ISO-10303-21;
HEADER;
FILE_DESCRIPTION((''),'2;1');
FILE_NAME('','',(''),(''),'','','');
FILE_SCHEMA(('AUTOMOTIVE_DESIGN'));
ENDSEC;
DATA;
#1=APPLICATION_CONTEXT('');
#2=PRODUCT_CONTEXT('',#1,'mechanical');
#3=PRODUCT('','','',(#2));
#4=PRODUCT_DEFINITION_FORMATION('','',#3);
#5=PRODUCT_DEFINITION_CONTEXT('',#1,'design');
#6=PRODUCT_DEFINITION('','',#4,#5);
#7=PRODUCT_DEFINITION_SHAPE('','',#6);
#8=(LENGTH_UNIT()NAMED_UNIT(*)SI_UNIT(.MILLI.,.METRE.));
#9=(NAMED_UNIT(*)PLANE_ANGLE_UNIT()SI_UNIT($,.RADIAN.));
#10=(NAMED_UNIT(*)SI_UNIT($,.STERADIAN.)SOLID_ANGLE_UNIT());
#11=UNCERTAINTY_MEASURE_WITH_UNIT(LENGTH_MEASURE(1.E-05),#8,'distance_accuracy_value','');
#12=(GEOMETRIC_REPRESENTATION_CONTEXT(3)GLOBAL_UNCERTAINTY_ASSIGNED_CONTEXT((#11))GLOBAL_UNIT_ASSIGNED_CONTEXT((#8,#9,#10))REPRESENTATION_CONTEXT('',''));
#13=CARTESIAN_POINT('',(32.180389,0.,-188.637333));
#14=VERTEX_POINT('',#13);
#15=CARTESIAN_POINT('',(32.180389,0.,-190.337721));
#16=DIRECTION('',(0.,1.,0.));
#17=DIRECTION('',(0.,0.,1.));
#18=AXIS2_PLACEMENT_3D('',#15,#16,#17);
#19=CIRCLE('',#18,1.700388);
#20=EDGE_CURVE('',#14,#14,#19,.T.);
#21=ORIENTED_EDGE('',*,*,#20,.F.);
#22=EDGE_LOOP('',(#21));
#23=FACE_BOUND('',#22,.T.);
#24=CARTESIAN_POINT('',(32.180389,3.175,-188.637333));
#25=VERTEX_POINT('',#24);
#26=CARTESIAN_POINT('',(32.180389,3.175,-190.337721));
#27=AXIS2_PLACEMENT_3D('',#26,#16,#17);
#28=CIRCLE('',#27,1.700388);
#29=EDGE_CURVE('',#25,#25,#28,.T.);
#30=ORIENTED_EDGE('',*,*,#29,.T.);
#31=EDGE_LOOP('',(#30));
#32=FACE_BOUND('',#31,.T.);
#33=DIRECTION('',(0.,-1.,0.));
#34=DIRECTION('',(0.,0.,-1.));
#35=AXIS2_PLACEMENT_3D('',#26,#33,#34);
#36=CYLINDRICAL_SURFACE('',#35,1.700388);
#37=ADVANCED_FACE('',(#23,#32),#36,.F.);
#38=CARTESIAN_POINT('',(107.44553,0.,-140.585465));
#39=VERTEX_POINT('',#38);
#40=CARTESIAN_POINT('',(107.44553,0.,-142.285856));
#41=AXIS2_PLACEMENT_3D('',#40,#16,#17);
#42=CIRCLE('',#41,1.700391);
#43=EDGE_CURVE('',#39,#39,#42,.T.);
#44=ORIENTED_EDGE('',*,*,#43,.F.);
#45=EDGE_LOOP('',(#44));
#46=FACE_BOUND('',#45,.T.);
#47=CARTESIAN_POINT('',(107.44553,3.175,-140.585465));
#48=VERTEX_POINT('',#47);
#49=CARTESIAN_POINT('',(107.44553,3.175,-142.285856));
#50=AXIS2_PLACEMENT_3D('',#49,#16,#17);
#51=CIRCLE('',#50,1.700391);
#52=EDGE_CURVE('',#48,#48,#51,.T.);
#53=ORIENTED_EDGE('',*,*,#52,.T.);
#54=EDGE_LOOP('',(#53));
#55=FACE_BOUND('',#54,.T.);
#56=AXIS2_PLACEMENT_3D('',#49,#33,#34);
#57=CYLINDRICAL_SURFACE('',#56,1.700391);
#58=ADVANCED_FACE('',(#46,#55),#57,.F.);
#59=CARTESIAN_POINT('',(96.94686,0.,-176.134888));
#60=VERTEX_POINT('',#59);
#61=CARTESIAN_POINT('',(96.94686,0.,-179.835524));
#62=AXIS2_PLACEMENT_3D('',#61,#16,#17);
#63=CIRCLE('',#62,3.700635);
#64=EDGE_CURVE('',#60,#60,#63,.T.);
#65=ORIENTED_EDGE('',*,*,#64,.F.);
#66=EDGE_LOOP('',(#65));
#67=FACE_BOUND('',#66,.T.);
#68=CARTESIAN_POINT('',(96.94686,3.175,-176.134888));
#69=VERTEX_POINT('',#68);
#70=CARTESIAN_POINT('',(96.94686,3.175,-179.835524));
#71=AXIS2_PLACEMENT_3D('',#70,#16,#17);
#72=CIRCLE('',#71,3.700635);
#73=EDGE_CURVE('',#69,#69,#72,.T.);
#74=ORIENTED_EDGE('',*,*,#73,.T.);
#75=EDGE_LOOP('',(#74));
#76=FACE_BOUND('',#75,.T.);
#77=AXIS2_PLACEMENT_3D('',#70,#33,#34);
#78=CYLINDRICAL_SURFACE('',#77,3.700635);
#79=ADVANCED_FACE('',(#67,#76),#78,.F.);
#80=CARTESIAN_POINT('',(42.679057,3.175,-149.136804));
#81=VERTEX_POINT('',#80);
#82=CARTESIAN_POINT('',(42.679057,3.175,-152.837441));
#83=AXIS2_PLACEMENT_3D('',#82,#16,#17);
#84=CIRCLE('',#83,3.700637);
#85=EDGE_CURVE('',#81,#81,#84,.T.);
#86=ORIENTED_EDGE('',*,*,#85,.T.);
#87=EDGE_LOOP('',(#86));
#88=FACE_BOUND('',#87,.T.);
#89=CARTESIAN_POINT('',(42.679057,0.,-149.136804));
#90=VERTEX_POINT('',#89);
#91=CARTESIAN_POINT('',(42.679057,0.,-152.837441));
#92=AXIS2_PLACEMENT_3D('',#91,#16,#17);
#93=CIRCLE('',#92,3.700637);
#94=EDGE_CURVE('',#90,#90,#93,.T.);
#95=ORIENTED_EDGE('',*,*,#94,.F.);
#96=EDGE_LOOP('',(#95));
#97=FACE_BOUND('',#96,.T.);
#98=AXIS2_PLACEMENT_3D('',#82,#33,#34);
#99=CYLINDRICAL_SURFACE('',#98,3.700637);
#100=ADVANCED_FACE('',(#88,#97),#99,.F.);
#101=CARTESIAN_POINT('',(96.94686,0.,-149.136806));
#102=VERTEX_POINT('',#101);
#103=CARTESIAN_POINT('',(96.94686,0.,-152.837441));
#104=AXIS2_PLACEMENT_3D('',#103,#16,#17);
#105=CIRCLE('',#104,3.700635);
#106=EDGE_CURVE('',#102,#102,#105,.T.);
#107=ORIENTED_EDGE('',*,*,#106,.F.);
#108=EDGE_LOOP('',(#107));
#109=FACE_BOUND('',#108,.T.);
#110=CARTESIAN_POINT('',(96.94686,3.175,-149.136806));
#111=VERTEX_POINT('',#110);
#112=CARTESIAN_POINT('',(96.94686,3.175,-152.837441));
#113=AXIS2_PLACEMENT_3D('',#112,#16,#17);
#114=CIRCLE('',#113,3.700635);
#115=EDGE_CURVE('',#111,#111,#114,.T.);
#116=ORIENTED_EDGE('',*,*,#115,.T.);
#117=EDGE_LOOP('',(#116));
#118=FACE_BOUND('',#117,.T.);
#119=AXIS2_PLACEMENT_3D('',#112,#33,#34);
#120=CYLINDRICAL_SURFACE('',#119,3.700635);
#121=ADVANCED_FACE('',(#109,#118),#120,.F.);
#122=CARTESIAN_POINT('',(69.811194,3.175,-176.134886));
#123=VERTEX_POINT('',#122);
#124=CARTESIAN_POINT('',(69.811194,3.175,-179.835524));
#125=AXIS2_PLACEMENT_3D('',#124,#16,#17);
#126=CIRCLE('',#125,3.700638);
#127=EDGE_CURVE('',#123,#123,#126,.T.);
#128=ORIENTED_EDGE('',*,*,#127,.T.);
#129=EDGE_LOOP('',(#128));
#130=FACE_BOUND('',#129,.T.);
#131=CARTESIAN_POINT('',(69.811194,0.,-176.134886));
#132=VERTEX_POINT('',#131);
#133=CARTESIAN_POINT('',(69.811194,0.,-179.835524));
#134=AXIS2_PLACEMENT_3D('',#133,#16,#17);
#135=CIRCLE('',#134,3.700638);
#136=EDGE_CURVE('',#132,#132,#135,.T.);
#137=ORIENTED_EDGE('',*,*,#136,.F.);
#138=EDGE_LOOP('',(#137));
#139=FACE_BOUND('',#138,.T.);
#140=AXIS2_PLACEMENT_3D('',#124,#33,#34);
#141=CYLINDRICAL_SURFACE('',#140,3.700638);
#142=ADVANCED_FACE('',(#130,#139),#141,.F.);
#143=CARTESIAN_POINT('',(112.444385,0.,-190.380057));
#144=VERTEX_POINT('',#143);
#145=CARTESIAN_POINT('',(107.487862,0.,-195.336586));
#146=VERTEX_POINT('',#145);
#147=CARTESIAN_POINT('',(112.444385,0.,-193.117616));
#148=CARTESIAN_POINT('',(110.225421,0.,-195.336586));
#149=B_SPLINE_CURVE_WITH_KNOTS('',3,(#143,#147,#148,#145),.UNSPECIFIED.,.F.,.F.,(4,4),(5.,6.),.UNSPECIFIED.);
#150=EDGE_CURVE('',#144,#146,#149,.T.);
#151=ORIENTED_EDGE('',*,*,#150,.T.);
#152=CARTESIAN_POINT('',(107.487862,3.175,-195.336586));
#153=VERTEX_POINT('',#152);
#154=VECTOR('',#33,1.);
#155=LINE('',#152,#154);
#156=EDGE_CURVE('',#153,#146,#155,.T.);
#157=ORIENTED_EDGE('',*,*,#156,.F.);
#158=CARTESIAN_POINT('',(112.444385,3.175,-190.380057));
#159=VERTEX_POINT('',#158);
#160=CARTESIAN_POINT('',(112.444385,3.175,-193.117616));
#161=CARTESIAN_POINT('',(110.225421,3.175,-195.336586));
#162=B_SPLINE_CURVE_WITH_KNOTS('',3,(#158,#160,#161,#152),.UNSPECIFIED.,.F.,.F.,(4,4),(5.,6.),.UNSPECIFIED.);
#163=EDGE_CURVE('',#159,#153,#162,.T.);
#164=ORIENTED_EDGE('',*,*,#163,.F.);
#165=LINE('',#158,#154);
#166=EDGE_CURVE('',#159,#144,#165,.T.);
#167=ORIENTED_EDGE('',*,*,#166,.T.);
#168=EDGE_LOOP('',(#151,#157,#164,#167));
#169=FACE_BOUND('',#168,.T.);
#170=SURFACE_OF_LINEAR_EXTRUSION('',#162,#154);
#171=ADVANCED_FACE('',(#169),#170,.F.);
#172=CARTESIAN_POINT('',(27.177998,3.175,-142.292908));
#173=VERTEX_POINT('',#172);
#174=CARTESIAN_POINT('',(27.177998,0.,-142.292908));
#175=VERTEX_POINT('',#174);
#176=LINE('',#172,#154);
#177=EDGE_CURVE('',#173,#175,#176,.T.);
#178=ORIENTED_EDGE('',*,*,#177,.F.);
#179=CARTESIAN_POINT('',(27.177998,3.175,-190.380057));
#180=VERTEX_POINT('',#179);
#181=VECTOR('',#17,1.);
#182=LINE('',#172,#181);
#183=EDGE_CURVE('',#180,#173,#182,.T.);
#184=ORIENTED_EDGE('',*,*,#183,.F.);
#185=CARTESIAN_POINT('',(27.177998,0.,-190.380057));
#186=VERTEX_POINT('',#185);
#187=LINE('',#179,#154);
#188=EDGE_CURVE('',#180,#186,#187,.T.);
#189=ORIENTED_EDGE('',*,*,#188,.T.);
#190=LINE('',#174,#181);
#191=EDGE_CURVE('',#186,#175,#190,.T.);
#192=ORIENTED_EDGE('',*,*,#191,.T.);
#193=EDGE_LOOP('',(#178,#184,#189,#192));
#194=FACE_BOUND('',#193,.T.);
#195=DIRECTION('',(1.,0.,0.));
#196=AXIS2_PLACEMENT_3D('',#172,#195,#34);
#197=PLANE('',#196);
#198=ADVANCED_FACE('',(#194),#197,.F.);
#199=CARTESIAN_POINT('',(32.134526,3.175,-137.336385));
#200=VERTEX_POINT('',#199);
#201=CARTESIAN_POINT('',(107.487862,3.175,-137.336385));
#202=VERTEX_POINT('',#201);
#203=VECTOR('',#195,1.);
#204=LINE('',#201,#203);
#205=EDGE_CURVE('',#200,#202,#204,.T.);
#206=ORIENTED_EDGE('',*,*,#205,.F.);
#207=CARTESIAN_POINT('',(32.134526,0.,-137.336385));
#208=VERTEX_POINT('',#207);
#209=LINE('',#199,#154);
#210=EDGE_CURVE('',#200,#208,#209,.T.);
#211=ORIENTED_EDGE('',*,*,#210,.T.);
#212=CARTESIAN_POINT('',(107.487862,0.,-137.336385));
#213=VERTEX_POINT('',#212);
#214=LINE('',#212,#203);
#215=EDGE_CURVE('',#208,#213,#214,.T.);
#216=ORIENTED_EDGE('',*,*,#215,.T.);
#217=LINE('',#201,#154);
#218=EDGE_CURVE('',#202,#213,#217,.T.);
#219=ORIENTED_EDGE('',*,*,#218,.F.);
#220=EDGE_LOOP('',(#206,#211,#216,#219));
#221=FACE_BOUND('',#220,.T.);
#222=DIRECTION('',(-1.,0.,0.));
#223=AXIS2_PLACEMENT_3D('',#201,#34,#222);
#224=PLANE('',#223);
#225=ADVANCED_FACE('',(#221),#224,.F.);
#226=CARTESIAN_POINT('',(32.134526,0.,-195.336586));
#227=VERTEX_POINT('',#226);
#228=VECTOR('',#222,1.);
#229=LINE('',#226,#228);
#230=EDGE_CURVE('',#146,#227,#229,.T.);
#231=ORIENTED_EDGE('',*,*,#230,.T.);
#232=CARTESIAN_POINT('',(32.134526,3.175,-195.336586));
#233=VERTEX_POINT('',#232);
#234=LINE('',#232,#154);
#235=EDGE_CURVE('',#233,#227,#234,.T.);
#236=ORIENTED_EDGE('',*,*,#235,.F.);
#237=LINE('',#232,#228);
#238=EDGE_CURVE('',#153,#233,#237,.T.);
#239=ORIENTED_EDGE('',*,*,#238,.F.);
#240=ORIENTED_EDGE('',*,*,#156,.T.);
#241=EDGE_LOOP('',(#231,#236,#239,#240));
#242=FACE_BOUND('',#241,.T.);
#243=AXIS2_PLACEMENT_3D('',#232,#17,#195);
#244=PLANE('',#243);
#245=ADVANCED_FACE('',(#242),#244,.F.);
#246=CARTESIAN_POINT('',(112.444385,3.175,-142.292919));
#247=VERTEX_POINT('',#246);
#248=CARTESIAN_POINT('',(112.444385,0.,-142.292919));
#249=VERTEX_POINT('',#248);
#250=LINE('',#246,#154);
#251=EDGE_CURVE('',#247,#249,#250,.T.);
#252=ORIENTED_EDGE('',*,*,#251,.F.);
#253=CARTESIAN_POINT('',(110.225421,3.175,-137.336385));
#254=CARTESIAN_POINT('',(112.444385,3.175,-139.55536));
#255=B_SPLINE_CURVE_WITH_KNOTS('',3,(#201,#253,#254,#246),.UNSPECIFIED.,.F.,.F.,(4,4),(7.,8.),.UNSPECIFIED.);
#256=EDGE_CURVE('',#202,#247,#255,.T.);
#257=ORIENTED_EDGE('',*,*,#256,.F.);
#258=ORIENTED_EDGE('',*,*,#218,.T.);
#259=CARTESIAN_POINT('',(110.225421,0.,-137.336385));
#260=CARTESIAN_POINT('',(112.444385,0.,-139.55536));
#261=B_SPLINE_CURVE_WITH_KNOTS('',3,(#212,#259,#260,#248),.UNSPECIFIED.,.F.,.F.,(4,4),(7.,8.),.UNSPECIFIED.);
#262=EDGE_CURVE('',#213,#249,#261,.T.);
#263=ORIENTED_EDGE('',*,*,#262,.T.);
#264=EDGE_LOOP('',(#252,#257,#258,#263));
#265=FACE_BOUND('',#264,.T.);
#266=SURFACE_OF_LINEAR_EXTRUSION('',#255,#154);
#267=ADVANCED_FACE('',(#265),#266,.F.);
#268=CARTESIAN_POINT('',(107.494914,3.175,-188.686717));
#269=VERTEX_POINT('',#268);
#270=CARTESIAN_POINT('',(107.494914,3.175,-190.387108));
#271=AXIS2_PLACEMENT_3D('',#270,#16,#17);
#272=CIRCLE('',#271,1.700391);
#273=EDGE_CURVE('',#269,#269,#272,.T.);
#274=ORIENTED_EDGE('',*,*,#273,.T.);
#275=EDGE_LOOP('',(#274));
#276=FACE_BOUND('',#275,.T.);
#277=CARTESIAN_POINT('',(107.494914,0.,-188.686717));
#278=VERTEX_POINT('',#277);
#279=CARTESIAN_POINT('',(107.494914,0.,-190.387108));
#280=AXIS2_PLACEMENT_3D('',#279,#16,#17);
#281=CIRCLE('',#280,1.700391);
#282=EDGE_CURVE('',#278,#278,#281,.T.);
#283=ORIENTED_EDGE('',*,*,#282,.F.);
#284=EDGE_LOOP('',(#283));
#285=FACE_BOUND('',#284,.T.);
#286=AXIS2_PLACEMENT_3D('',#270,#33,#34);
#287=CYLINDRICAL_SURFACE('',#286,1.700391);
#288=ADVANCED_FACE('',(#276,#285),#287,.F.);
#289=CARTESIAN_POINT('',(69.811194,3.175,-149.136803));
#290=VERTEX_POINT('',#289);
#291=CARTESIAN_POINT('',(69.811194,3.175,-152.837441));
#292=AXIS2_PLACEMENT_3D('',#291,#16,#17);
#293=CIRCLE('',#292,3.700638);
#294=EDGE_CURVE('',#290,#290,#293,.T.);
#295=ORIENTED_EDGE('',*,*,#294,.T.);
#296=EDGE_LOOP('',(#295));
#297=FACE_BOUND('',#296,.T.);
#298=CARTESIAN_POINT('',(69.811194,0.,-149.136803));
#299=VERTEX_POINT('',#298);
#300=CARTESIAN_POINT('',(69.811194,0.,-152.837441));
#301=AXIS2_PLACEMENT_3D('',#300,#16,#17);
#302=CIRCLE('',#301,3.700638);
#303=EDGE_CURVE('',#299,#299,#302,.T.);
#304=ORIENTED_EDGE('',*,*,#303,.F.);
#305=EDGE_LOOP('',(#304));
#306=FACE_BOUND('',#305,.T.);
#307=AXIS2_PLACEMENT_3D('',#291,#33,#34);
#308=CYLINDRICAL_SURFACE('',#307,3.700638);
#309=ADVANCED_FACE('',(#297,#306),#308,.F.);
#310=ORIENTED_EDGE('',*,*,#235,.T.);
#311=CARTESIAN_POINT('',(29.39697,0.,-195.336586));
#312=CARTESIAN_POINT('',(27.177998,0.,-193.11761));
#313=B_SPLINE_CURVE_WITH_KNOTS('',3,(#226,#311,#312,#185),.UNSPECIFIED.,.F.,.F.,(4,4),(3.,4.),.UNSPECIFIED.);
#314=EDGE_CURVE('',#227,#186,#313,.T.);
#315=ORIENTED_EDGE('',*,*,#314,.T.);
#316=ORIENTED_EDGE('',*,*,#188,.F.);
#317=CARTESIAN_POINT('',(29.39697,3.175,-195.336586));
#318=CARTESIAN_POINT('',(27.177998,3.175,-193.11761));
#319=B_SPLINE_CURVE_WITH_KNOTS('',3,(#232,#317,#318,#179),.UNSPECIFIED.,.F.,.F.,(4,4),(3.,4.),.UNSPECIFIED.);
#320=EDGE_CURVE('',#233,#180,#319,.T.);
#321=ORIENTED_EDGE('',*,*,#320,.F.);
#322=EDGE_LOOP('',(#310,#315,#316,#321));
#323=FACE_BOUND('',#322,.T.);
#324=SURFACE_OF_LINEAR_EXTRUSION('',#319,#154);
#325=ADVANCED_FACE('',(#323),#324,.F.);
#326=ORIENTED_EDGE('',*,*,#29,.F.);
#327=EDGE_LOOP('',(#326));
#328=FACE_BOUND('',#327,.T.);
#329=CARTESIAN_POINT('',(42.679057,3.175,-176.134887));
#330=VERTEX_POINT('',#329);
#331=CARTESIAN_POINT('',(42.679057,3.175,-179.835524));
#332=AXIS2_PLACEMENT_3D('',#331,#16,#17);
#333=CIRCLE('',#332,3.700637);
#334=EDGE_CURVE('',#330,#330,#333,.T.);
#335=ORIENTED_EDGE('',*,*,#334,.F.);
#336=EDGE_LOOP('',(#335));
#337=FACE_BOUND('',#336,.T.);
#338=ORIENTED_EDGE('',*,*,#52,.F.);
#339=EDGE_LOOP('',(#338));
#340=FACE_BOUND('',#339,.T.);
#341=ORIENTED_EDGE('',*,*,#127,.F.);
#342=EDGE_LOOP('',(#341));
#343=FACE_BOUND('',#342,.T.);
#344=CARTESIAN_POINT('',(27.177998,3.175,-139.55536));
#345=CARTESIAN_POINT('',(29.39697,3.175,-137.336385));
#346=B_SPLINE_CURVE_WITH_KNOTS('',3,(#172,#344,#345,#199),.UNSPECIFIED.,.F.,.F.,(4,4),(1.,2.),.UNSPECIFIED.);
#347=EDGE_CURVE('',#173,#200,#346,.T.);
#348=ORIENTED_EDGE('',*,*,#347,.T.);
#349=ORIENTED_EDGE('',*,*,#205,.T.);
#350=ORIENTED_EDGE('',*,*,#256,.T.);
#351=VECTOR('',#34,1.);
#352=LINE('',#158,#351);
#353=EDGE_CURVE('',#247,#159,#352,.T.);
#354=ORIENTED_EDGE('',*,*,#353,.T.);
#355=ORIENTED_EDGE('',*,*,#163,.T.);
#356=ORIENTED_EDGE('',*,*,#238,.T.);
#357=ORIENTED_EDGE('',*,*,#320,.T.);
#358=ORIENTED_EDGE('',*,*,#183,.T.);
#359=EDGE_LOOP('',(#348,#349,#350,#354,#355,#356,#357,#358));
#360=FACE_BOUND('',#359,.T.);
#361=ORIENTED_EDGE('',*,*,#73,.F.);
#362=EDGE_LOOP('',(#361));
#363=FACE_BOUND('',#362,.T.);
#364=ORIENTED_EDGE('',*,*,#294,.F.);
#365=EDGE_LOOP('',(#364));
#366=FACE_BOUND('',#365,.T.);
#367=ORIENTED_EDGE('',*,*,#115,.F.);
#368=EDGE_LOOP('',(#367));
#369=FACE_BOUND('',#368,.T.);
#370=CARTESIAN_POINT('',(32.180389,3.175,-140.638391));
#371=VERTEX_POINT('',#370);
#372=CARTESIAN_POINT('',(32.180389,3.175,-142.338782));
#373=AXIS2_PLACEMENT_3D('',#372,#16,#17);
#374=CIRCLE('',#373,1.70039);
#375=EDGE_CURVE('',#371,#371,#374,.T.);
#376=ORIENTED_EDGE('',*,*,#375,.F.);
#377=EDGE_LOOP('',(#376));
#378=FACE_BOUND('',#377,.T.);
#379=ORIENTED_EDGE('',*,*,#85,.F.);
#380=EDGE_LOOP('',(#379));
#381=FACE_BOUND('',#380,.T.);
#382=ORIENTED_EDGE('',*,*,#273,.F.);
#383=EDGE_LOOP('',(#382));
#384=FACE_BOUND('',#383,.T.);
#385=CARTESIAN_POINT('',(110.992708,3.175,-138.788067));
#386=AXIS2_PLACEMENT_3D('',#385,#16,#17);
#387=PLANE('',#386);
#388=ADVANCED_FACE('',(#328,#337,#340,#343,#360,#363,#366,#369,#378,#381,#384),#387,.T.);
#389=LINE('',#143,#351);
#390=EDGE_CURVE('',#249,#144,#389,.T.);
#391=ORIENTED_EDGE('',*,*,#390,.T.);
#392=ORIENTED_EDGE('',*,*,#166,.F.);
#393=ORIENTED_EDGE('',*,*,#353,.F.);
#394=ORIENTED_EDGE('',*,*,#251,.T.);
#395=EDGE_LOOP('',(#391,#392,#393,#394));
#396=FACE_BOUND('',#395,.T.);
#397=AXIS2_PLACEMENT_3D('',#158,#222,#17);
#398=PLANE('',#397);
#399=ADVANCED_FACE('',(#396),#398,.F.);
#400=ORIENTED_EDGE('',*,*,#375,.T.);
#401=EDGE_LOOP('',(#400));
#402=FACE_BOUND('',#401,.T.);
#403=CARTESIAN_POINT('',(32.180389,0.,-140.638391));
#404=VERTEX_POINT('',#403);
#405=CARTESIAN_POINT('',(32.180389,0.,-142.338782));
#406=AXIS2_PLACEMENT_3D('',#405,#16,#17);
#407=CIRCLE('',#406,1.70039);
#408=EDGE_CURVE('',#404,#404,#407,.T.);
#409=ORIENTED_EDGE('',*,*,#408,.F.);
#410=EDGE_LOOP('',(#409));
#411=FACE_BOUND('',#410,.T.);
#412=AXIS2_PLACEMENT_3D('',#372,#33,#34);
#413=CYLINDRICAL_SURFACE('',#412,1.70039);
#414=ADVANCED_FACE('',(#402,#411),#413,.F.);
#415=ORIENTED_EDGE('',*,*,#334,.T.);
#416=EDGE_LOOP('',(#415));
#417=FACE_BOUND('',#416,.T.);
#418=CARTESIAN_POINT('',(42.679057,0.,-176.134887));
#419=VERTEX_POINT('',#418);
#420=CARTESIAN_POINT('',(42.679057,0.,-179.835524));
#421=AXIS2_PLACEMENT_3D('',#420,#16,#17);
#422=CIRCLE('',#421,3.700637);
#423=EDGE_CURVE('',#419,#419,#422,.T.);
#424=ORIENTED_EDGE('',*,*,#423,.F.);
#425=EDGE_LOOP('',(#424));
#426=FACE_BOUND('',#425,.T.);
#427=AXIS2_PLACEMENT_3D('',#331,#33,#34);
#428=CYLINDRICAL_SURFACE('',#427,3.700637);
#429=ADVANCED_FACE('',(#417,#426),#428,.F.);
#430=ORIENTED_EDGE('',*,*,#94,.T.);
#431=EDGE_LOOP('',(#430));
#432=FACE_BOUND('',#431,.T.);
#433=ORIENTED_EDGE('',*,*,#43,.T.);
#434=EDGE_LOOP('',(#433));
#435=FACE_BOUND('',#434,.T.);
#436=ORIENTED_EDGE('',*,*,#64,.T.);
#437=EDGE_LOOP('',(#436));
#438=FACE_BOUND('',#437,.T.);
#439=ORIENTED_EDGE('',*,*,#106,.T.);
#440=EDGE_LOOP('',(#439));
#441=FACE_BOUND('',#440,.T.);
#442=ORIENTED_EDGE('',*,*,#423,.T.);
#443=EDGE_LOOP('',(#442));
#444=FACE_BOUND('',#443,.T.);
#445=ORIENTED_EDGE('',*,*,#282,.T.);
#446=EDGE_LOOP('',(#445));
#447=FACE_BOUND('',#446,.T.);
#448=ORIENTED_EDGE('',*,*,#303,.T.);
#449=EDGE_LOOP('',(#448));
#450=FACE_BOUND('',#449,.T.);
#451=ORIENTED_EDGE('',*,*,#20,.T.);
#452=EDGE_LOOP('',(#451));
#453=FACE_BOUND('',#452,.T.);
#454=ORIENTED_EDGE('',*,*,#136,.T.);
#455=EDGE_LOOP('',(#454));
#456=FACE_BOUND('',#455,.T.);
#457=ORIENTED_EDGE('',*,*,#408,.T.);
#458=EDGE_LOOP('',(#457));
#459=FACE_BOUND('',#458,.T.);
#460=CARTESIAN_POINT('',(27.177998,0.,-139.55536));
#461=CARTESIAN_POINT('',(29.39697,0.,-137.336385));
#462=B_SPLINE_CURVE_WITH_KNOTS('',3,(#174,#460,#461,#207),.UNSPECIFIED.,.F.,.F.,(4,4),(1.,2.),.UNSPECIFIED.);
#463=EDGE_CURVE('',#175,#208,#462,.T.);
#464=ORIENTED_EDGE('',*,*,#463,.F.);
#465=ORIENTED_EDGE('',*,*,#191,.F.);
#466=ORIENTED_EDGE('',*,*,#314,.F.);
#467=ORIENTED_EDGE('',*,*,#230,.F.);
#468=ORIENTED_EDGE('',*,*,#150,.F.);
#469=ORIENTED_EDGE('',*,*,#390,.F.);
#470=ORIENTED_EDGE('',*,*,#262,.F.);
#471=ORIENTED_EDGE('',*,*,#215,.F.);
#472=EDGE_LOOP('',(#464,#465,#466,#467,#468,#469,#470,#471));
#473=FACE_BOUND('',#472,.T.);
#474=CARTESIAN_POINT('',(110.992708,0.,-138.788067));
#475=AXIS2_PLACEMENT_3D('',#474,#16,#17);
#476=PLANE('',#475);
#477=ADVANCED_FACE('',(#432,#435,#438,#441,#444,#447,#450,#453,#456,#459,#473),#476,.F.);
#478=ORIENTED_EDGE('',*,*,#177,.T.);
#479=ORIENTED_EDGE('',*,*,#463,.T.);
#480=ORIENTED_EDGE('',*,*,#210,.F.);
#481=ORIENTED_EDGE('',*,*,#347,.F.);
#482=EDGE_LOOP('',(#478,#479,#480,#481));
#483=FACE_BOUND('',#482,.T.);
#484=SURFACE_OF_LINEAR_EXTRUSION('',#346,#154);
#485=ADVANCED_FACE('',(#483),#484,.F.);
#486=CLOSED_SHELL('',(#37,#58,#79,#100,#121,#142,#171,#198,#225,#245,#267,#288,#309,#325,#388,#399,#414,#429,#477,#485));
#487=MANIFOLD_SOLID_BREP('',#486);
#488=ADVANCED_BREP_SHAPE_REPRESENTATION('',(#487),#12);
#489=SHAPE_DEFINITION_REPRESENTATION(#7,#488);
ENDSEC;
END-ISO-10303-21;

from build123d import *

# Parameters (mm, degrees)
SKETCH1_R           = 3.700636789
SKETCH1_R_2         = 3.700638134
SKETCH1_R_3         = 3.700635443
SKETCH1_R_4         = 1.700388108
SKETCH1_R_5         = 1.700390127
SKETCH1_R_6         = 1.700391472
BOSS_EXTRUDE1_DEPTH = 3.175


with BuildPart() as part:
    # Sketch1 → Boss-Extrude1 (new body)
    with BuildSketch(Plane(origin=(0, 0, 0), x_dir=(1, 0, 0), z_dir=(0, 1, 0))):
        with BuildLine():
            Line((107.487861946, 137.336384548), (32.134526478, 137.336384548))
            add(Edge.make_bspline(
                [(32.134526478, 137.336384548), (29.396970169, 137.336384548), (27.177997625, 139.555359784), (27.177997625, 142.292908018)],
                knots=[1, 1, 1, 1, 2, 2, 2, 2], degree=3))
            Line((27.177997625, 142.292908018), (27.177997625, 190.3800568))
            add(Edge.make_bspline(
                [(27.177997625, 190.3800568), (27.177997625, 193.117610417), (29.396970169, 195.336585653), (32.134526478, 195.336585653)],
                knots=[3, 3, 3, 3, 4, 4, 4, 4], degree=3))
            Line((32.134526478, 195.336585653), (107.487861946, 195.336585653))
            add(Edge.make_bspline(
                [(107.487861946, 195.336585653), (110.225420945, 195.336585653), (112.444385416, 193.1176158), (112.444385416, 190.3800568)],
                knots=[5, 5, 5, 5, 6, 6, 6, 6], degree=3))
            Line((112.444385416, 190.3800568), (112.444385416, 142.292918784))
            add(Edge.make_bspline(
                [(112.444385416, 142.292918784), (112.444385416, 139.555359784), (110.225420945, 137.336384548), (107.487861946, 137.336384548)],
                knots=[7, 7, 7, 7, 8, 8, 8, 8], degree=3))
        make_face()
        with Locations(Location((42.679056729, 179.835523857, 0), (0, 0, 270))):
            Circle(SKETCH1_R, mode=Mode.SUBTRACT)
        with Locations(Location((69.811194212, 179.835523857, 0), (0, 0, 270))):
            Circle(SKETCH1_R_2, mode=Mode.SUBTRACT)
        with Locations(Location((96.946860226, 179.835523857, 0), (0, 0, 270))):
            Circle(SKETCH1_R_3, mode=Mode.SUBTRACT)
        with Locations(Location((42.679056729, 152.837440961, 0), (0, 0, 270))):
            Circle(SKETCH1_R, mode=Mode.SUBTRACT)
        with Locations(Location((69.811194212, 152.837440961, 0), (0, 0, 270))):
            Circle(SKETCH1_R_2, mode=Mode.SUBTRACT)
        with Locations(Location((96.946860226, 152.837440961, 0), (0, 0, 270))):
            Circle(SKETCH1_R_3, mode=Mode.SUBTRACT)
        with Locations(Location((32.180389311, 190.337721152, 0), (0, 0, 270))):
            Circle(SKETCH1_R_4, mode=Mode.SUBTRACT)
        with Locations(Location((32.180389311, 142.338781618, 0), (0, 0, 270))):
            Circle(SKETCH1_R_5, mode=Mode.SUBTRACT)
        with Locations(Location((107.445530335, 142.285856339, 0), (0, 0, 270))):
            Circle(SKETCH1_R_6, mode=Mode.SUBTRACT)
        with Locations(Location((107.494913625, 190.38710848, 0), (0, 0, 270))):
            Circle(SKETCH1_R_6, mode=Mode.SUBTRACT)
    extrude(amount=BOSS_EXTRUDE1_DEPTH)


solid = part.part
